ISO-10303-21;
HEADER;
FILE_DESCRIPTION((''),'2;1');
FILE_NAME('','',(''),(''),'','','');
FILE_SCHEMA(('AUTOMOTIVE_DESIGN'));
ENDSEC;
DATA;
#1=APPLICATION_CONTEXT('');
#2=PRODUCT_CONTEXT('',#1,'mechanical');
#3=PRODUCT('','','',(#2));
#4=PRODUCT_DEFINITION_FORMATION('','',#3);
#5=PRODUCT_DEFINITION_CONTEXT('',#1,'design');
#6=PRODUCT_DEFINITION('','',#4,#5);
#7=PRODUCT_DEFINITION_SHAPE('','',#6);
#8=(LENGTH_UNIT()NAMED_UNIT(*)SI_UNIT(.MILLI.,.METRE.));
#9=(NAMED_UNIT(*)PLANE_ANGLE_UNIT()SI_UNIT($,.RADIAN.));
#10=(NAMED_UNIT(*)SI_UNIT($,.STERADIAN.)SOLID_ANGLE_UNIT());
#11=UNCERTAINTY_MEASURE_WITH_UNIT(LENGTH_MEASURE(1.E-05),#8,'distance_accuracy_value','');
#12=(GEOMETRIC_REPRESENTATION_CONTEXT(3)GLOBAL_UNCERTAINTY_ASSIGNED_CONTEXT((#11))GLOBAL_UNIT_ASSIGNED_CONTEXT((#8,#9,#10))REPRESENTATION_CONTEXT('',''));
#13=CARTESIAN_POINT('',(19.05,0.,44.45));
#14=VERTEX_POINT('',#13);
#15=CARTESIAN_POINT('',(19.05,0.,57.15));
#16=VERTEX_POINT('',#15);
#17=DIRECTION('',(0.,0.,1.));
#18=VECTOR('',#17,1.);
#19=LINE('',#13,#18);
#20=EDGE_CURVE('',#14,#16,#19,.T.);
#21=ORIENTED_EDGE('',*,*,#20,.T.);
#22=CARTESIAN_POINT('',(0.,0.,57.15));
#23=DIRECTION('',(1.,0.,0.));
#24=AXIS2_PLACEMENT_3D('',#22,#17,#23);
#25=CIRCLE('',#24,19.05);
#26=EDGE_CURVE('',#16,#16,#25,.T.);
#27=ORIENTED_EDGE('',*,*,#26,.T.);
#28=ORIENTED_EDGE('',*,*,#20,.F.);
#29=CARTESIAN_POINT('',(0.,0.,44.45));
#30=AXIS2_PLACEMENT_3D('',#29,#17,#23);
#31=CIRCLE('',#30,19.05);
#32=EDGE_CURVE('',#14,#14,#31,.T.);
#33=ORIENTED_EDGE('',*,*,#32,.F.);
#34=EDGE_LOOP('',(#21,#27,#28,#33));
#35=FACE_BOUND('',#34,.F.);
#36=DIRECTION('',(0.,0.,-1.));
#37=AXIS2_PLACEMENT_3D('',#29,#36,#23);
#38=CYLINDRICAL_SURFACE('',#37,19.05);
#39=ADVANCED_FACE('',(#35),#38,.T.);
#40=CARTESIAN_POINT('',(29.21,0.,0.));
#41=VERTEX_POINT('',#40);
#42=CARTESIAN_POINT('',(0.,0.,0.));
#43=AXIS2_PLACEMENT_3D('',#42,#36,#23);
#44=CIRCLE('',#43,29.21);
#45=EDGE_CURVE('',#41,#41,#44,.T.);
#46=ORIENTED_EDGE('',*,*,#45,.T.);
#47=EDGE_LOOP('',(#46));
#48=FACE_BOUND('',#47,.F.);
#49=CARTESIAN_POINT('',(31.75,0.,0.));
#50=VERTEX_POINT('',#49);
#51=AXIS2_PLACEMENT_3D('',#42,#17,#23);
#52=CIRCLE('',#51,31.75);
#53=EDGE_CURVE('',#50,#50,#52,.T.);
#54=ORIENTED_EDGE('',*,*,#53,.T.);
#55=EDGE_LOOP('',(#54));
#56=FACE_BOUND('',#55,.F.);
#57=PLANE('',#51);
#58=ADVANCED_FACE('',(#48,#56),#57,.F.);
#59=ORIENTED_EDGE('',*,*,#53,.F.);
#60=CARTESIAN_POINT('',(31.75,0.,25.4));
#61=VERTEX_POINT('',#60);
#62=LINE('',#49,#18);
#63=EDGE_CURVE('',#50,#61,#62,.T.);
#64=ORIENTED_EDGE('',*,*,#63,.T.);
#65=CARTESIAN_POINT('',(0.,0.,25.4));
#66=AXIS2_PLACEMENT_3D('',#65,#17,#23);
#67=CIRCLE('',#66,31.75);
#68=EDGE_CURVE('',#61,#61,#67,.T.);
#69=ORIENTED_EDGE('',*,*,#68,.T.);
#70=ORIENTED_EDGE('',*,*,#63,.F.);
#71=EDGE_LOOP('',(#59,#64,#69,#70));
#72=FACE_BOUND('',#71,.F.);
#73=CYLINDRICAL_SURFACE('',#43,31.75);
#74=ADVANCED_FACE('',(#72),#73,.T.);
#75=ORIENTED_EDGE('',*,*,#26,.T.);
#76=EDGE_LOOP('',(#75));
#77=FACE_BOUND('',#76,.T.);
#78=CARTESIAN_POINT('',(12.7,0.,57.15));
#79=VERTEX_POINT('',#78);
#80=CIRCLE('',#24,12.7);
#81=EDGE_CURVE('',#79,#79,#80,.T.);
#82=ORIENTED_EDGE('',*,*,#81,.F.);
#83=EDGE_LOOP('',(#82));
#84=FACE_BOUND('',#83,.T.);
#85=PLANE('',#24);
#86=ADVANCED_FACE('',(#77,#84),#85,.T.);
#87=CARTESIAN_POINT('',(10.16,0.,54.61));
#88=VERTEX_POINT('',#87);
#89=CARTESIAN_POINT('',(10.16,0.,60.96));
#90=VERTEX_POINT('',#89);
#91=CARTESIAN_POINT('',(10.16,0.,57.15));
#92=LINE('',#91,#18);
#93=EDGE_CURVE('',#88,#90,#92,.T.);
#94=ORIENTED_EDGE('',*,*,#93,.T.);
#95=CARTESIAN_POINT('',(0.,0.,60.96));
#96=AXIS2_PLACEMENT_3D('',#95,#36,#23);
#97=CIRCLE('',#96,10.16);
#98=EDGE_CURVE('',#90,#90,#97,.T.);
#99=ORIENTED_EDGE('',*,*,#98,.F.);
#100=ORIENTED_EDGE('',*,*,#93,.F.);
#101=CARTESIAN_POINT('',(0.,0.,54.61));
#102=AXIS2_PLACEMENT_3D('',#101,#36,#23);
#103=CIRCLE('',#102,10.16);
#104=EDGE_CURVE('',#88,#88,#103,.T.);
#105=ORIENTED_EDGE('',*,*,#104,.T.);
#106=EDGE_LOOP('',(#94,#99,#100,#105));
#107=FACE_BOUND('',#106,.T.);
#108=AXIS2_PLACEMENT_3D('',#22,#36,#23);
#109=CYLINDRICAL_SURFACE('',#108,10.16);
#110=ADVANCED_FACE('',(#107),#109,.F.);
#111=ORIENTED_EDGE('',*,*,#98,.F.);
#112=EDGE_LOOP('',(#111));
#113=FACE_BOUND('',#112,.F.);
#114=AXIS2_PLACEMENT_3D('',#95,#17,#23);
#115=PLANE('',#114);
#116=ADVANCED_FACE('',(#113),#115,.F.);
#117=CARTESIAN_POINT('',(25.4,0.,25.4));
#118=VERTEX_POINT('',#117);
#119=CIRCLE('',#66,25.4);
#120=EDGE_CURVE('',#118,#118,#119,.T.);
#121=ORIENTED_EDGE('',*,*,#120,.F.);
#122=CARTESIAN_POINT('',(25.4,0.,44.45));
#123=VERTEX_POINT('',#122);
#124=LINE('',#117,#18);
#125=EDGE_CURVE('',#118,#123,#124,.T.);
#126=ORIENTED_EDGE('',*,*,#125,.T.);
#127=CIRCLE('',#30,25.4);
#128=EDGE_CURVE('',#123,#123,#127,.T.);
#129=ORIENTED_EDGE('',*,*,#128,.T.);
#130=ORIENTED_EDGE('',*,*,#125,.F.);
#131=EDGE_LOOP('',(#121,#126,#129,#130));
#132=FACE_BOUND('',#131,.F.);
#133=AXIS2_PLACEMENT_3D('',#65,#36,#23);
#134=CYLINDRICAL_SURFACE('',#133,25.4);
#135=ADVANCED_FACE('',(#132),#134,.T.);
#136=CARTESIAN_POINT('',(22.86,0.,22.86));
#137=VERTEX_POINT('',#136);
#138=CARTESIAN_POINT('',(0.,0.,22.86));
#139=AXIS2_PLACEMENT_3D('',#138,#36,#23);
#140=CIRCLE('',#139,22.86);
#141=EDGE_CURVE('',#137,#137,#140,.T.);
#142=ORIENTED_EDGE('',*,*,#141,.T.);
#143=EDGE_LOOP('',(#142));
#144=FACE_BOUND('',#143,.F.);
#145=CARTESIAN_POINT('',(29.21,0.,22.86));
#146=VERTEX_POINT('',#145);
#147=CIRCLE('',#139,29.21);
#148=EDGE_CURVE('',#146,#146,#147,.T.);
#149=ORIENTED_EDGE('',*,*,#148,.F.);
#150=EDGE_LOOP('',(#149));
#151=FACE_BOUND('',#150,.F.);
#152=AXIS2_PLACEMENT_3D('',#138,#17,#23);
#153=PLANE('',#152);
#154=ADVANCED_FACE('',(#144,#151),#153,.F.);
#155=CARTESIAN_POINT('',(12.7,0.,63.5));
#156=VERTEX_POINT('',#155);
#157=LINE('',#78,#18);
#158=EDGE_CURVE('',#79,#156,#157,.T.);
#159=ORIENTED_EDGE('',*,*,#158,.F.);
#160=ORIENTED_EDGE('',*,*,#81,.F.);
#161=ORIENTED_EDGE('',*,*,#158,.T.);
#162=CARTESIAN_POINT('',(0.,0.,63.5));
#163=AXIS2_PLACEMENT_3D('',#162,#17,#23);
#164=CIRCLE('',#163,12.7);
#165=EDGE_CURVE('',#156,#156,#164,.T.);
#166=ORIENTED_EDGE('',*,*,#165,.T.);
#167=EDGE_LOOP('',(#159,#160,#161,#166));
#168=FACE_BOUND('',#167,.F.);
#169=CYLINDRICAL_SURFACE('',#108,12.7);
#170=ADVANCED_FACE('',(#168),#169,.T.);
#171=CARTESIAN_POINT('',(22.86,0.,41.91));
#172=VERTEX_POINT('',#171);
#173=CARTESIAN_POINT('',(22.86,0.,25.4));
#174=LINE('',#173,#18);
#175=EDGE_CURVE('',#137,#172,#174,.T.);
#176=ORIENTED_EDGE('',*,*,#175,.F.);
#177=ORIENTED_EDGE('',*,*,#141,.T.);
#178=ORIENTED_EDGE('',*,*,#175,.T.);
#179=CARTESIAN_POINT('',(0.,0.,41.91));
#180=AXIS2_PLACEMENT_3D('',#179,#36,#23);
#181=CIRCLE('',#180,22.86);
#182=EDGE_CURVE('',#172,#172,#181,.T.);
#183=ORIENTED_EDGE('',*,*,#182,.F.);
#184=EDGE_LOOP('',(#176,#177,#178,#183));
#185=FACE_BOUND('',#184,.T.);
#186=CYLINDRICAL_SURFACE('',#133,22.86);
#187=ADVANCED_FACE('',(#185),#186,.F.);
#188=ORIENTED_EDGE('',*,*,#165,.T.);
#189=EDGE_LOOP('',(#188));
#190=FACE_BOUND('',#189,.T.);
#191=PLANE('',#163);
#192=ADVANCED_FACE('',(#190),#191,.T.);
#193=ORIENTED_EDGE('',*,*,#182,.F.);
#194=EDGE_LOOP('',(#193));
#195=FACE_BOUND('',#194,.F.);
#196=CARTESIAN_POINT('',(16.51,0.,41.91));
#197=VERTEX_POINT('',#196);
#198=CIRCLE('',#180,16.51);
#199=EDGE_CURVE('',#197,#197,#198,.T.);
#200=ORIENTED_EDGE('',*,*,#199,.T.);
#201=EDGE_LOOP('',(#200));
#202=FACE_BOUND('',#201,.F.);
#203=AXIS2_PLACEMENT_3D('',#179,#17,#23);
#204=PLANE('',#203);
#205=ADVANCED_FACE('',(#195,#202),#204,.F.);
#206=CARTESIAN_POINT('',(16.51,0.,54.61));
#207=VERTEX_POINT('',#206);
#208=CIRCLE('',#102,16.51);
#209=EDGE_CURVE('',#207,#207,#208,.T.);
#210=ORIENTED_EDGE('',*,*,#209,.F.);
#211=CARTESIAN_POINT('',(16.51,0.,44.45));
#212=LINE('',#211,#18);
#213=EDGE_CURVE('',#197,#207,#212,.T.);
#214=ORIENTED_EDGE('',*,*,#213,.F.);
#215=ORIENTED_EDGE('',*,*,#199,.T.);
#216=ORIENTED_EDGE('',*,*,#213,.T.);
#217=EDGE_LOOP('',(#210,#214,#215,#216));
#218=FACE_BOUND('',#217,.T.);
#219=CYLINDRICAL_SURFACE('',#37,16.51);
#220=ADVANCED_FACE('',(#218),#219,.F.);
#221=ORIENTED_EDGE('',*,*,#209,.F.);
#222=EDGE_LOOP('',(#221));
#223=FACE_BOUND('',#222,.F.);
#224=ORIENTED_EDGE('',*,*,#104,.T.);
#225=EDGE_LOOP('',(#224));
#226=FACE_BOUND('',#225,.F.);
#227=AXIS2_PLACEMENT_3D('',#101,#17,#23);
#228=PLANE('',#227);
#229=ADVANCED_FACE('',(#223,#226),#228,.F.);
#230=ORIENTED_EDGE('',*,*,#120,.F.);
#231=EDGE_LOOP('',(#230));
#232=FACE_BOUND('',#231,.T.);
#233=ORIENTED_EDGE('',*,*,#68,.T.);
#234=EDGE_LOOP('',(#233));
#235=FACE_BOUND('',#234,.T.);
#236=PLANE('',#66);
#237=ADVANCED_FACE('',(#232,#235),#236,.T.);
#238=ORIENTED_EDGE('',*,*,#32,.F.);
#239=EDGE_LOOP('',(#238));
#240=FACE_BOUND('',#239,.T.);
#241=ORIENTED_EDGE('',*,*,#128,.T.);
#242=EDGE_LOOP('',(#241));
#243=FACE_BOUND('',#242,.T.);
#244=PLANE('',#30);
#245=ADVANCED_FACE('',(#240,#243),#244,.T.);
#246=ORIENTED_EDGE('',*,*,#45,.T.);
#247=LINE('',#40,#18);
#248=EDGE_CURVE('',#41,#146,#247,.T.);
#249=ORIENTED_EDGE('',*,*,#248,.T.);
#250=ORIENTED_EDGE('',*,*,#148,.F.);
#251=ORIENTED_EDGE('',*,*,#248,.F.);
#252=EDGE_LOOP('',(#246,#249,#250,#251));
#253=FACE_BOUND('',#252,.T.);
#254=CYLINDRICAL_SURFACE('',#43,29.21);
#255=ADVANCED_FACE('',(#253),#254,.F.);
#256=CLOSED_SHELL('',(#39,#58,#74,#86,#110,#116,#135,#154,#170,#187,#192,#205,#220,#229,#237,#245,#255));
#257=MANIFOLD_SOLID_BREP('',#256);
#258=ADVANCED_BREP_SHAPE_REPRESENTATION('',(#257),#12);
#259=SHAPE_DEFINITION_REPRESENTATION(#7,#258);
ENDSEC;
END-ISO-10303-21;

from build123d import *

# Parameters (mm, degrees)
F0_R     = 31.75
F1_DEPTH = 25.4
F2_R     = 25.4
F3_DEPTH = 19.05
F4_R     = 19.05
F5_DEPTH = 12.7
F6_R     = 12.7
F7_DEPTH = 6.35
F8_T     = -2.54


with BuildPart() as f1:
    # F0 (on Top) → F1 (new body)
    with BuildSketch(Plane.XY):
        Circle(F0_R)
    extrude(amount=F1_DEPTH)

    # F2 (on face) → F3 (join)
    with BuildSketch(Plane.XY.offset(25.4)):
        Circle(F2_R)
    extrude(amount=F3_DEPTH)

    # F4 (on face) → F5 (join)
    with BuildSketch(Plane.XY.offset(44.45)):
        Circle(F4_R)
    extrude(amount=F5_DEPTH)

    # F6 (on face) → F7 (join)
    with BuildSketch(Plane.XY.offset(57.15)):
        Circle(F6_R)
    extrude(amount=F7_DEPTH)

    # F8
    f8_openings = [f1.faces().sort_by_distance(p)[0] for p in [
        (0, 0, 0),
    ]]
    offset(amount=F8_T, openings=f8_openings, kind=Kind.INTERSECTION)


solid = f1.part
